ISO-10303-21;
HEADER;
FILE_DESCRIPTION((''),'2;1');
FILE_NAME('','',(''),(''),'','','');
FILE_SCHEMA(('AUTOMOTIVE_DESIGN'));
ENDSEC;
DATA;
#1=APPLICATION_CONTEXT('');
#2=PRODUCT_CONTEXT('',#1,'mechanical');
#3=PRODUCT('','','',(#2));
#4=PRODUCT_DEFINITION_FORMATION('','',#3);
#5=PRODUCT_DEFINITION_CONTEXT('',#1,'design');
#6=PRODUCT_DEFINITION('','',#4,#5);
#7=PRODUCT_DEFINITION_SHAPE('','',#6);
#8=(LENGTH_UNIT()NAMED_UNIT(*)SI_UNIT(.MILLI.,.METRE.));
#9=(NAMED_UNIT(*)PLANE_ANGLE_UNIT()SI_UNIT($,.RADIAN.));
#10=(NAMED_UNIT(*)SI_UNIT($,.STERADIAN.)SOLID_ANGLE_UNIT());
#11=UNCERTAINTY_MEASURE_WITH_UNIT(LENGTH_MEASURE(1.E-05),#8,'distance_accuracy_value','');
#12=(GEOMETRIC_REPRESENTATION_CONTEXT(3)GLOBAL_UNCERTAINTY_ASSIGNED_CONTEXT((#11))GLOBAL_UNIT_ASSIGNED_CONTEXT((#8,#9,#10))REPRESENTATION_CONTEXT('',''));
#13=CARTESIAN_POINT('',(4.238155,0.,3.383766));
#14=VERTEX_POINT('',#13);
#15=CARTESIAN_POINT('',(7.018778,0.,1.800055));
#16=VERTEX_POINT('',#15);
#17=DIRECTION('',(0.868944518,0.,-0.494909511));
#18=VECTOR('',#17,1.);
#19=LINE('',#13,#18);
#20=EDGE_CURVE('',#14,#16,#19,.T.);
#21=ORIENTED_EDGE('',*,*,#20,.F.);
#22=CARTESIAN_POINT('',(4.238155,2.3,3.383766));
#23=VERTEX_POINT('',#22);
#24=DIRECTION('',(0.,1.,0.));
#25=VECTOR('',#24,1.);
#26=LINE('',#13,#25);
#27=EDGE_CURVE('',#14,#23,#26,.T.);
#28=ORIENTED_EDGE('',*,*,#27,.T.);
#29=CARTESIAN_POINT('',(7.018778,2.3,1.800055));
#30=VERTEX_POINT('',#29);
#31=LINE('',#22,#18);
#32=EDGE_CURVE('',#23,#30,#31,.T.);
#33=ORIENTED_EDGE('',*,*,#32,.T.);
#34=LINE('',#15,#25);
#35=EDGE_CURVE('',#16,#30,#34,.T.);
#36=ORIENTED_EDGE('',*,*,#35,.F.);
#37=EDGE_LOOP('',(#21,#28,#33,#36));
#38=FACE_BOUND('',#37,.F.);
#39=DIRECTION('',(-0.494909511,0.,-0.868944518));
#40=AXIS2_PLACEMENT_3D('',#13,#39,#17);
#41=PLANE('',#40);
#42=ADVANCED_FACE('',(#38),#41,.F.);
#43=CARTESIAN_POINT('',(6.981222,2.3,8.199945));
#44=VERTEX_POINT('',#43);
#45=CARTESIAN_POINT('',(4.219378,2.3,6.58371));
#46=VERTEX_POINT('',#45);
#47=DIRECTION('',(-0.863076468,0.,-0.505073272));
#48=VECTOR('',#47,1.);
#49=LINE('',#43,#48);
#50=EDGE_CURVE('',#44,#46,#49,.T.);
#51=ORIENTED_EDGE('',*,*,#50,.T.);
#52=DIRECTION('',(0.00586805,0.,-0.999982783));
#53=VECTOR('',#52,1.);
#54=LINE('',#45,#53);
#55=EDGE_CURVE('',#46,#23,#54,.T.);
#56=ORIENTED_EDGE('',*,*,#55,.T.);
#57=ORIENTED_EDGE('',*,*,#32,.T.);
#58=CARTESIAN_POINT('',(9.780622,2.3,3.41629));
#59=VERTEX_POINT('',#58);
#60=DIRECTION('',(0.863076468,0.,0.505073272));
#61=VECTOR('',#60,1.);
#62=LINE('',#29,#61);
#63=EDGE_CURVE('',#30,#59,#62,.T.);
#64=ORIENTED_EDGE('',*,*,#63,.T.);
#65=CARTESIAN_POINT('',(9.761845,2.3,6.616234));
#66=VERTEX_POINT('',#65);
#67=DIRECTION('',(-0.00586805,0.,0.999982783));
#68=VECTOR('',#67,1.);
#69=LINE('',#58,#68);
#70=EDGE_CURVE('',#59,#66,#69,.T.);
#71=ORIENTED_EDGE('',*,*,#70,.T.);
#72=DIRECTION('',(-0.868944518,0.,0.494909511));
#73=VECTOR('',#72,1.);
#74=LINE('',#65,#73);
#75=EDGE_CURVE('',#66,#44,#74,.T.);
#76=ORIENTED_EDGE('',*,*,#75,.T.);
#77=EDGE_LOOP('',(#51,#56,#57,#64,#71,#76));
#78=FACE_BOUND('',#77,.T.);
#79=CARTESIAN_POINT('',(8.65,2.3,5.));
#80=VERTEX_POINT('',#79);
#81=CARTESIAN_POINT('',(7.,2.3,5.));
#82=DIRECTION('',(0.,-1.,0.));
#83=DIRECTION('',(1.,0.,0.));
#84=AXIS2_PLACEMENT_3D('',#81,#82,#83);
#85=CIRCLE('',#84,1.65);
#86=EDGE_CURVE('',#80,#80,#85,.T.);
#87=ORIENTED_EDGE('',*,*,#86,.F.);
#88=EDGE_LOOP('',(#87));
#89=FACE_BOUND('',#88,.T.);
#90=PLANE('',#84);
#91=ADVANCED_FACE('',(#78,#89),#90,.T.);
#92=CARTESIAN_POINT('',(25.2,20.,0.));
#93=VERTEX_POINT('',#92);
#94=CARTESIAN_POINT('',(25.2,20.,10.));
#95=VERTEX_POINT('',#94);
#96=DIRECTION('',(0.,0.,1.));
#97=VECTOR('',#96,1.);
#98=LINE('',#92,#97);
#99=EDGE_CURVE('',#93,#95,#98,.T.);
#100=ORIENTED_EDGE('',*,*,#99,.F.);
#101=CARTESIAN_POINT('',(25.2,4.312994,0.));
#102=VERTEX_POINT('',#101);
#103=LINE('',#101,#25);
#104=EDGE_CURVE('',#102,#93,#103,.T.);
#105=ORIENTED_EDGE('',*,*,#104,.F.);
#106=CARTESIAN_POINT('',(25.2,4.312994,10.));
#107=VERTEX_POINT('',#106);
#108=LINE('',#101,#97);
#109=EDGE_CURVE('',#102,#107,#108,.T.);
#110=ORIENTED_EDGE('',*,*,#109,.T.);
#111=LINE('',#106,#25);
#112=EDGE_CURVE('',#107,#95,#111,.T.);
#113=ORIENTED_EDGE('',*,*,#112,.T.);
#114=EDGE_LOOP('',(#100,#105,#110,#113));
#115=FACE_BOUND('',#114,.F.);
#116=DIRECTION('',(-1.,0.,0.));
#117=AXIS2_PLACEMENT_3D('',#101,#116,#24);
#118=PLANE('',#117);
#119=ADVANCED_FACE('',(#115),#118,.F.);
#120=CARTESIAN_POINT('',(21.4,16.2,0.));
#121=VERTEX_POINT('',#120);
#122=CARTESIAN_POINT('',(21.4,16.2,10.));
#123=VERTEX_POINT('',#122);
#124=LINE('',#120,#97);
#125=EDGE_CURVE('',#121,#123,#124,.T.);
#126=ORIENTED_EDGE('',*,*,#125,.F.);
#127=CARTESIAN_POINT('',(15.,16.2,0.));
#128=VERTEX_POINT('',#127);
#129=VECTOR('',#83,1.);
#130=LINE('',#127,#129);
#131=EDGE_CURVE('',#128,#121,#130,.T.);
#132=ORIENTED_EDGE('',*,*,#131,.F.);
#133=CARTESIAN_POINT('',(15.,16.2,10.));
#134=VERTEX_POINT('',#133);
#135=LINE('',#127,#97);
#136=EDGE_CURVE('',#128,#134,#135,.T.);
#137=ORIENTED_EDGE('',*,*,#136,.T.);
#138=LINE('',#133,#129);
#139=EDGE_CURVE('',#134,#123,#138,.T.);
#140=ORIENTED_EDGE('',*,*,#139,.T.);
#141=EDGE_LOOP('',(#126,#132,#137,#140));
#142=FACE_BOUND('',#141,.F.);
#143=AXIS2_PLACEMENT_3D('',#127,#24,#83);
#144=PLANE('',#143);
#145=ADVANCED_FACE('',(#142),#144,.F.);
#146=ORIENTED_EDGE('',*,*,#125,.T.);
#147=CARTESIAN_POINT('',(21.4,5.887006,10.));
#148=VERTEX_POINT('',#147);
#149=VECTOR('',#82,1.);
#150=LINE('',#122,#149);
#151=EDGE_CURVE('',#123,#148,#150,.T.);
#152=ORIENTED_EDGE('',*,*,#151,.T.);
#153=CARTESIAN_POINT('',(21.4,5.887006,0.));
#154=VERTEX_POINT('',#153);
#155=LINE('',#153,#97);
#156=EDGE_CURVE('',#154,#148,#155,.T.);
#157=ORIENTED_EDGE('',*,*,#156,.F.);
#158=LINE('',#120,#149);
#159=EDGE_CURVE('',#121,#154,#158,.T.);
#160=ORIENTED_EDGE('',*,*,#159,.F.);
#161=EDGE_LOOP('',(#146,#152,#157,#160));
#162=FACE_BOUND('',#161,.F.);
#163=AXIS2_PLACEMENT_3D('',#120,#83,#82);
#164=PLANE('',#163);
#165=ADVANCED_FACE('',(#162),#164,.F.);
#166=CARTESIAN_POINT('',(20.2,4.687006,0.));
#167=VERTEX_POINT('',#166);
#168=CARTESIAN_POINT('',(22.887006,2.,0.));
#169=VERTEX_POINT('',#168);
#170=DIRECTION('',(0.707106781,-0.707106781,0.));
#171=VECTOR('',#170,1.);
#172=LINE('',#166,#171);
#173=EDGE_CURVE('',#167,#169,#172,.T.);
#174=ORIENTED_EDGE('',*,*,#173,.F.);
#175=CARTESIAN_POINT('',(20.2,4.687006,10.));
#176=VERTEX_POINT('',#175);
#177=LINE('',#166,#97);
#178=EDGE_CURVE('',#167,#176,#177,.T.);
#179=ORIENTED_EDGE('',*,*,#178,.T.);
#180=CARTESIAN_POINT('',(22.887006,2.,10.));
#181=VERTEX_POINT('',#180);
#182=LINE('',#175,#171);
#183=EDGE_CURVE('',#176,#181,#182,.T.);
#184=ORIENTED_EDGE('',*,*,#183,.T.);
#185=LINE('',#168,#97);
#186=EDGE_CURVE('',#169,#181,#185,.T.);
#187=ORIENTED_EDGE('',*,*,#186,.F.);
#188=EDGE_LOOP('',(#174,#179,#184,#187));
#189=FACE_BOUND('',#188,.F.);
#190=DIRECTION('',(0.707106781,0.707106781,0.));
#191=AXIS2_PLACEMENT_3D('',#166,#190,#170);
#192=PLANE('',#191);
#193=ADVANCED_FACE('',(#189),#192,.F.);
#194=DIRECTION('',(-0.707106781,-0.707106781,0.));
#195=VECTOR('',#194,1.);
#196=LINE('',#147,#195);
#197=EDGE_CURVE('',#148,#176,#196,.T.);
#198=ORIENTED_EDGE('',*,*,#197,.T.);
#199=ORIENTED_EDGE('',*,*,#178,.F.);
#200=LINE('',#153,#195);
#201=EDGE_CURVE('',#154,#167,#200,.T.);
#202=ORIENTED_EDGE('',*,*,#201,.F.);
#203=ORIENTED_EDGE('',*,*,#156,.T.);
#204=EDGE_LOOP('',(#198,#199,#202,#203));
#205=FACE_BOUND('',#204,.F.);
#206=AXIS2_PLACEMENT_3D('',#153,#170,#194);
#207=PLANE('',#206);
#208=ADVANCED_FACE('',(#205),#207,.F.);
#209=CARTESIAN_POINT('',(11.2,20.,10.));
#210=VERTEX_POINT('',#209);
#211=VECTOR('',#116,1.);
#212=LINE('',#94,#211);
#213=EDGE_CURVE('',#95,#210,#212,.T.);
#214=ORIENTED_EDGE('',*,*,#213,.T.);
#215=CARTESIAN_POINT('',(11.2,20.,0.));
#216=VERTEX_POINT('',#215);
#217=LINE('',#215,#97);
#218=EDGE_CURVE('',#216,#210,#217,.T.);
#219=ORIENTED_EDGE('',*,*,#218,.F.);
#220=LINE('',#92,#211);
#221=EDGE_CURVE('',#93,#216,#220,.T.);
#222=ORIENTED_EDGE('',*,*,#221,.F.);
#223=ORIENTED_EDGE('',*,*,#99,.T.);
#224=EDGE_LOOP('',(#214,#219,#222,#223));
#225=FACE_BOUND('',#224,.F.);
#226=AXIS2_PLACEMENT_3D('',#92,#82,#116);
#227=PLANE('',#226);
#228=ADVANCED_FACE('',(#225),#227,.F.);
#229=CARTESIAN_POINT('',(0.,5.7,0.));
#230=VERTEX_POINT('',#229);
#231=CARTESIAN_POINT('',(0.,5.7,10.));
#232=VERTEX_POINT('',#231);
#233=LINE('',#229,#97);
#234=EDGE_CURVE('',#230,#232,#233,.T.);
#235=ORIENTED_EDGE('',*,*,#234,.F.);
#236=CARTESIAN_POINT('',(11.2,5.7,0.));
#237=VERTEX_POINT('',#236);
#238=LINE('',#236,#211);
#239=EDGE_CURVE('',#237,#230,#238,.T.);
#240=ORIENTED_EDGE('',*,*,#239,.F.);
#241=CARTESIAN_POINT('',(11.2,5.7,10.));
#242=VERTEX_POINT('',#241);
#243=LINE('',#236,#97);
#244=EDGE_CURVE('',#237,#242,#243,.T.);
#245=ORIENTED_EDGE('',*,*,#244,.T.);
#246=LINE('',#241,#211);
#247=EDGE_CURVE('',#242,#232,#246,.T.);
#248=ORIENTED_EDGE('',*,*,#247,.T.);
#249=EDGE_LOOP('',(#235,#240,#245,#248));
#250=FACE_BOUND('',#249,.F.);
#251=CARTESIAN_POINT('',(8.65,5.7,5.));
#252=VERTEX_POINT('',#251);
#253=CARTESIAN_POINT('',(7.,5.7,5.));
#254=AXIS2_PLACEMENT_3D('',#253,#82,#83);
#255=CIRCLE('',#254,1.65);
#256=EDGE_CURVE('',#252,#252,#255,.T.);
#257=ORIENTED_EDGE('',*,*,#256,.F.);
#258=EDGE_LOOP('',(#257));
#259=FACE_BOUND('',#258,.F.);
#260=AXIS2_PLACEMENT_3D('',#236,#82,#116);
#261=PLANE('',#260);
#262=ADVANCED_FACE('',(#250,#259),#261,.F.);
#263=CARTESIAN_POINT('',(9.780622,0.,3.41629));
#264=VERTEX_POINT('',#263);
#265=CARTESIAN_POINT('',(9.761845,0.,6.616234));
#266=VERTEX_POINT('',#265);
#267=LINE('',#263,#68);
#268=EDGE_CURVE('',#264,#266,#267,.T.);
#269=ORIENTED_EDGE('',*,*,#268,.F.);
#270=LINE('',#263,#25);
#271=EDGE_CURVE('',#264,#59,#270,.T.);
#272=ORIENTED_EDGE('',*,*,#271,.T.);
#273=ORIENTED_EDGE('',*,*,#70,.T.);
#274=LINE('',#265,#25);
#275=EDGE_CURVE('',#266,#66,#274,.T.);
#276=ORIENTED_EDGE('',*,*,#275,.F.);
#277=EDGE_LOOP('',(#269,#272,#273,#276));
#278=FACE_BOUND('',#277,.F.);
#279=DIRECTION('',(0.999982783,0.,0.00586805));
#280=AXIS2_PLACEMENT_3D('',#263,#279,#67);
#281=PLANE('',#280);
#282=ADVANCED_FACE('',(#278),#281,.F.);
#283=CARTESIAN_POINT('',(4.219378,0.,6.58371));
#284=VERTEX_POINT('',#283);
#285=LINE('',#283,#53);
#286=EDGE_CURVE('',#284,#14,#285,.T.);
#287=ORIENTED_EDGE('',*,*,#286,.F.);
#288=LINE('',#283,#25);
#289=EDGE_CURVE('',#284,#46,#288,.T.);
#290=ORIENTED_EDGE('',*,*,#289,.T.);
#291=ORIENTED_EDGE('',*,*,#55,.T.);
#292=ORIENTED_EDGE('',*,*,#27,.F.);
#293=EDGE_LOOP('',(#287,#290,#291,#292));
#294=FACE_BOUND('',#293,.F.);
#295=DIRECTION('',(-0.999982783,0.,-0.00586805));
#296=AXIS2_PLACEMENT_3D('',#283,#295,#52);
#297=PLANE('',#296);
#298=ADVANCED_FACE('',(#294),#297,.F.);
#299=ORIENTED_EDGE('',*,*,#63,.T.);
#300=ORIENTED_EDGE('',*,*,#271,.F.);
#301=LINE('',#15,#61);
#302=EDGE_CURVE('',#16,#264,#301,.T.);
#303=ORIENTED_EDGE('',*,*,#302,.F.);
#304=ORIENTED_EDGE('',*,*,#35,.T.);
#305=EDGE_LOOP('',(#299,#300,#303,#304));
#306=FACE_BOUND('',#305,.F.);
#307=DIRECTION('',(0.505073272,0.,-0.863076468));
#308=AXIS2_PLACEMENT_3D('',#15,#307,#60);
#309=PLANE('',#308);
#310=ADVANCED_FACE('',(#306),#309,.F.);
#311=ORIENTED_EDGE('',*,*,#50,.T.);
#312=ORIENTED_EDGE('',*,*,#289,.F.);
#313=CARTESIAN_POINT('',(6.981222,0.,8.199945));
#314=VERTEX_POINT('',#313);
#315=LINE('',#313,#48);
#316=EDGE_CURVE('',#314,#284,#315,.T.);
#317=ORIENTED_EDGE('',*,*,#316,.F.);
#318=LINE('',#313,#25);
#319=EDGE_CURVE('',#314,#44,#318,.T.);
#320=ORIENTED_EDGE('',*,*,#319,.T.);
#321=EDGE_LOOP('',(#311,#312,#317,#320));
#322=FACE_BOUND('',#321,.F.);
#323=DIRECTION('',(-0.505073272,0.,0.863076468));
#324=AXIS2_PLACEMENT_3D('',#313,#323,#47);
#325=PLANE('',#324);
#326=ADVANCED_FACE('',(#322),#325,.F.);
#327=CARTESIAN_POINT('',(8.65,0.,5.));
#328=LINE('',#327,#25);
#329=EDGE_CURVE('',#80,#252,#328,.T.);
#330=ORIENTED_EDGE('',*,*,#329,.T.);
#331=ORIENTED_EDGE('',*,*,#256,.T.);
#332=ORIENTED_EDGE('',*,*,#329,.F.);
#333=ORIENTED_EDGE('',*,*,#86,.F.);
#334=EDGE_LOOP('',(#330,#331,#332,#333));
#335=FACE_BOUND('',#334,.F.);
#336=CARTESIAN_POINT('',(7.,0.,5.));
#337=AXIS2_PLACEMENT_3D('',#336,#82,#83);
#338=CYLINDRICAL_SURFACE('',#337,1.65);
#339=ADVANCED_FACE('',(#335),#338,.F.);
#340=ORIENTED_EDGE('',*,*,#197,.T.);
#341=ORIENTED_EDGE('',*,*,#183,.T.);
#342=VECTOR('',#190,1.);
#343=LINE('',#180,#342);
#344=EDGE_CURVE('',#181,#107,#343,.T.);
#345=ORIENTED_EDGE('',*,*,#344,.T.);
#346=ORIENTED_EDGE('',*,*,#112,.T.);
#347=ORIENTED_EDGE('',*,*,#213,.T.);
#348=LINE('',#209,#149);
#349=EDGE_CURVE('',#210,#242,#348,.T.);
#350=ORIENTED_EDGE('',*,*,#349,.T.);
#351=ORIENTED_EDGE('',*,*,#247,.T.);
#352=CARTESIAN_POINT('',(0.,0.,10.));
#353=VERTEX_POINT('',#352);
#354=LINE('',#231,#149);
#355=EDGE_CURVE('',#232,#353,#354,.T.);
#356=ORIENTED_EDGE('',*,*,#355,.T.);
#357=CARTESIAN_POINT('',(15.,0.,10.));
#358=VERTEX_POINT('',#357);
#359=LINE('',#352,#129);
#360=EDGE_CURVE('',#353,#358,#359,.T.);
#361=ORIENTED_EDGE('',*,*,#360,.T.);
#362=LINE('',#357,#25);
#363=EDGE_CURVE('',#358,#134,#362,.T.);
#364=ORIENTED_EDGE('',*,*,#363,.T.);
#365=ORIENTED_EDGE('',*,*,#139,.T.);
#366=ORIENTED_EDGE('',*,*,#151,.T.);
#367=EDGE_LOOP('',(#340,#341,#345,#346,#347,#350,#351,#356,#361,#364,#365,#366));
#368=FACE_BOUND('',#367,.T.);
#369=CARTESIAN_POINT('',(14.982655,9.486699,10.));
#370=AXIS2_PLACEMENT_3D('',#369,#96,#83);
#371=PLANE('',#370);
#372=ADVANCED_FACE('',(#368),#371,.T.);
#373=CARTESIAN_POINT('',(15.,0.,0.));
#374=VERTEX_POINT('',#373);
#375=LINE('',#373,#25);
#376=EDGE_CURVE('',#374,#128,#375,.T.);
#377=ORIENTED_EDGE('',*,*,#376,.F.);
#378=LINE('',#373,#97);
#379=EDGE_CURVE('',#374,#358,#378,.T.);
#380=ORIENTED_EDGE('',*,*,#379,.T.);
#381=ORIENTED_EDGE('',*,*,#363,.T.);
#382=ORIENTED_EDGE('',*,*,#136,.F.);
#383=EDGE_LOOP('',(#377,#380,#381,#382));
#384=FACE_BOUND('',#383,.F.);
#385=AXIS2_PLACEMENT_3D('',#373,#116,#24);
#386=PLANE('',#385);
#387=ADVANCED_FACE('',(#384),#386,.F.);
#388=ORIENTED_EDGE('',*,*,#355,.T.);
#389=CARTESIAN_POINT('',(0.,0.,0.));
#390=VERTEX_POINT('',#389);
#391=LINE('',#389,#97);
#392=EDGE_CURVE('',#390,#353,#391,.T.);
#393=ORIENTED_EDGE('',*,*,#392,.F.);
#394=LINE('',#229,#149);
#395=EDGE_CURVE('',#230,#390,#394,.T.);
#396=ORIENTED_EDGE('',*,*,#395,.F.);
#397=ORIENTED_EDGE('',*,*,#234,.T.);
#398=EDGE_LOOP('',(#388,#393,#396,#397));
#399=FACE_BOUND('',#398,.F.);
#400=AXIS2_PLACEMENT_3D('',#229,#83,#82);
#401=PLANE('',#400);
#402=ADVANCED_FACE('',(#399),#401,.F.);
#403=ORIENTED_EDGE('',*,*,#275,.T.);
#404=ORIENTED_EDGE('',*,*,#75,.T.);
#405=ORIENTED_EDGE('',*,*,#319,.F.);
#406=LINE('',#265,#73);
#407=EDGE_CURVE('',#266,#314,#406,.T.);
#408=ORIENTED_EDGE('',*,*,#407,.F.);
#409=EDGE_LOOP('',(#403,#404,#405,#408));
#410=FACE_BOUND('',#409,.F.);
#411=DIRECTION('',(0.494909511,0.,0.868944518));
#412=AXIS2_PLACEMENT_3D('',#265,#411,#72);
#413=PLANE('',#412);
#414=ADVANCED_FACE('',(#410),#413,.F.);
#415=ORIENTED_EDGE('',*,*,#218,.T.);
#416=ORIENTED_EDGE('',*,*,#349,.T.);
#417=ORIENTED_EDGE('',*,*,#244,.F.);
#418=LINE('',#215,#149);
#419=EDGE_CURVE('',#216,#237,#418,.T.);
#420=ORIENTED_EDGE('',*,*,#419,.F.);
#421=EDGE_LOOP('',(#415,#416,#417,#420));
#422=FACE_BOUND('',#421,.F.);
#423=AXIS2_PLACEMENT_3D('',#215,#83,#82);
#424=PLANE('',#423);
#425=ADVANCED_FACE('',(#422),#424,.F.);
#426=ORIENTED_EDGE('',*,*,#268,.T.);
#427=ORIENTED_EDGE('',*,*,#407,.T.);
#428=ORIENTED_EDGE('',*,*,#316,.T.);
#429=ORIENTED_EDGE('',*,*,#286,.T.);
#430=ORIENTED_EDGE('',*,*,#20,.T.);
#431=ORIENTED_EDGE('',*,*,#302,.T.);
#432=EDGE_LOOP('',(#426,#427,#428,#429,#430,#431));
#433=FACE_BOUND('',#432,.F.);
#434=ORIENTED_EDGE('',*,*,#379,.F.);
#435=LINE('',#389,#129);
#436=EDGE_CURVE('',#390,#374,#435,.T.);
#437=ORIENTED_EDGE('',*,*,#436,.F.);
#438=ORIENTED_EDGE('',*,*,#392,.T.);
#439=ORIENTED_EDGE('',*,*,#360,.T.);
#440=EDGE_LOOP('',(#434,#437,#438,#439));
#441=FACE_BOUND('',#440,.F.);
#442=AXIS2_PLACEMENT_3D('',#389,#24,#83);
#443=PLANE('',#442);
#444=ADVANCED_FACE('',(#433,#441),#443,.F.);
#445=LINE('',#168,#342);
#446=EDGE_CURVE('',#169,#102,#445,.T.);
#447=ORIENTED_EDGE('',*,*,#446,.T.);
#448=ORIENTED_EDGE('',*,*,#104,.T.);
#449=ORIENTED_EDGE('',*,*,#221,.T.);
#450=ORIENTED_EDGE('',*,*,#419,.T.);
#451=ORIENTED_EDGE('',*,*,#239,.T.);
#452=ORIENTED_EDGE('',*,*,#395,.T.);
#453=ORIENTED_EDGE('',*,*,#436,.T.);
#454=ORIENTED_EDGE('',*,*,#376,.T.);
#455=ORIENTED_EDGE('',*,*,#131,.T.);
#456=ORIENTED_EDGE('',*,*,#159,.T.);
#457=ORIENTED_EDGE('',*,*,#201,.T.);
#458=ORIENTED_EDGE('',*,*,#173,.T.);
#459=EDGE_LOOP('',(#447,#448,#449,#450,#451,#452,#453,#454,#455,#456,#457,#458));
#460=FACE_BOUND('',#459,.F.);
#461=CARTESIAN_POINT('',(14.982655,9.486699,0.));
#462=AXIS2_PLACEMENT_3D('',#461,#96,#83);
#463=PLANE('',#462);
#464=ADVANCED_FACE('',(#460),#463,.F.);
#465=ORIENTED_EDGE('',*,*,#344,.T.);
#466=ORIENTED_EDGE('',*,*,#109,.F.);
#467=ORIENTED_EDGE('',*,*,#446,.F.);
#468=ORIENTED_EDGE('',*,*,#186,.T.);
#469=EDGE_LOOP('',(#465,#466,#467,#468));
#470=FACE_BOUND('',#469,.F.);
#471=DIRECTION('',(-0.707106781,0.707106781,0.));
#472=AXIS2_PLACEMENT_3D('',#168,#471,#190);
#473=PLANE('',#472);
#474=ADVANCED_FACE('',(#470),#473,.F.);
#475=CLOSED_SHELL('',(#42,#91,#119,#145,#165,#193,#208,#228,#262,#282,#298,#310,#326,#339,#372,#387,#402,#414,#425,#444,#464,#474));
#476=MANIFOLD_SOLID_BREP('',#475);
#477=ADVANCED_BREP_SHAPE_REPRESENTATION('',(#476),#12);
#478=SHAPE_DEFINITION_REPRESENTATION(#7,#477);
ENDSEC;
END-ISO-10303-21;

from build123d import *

# Parameters (mm, degrees)
F1_DEPTH = 10
F2_R     = 1.65
F4_DEPTH = 20.001
F5_DEPTH = 2.3


with BuildPart() as f1:
    # F0 (on Top) → F1 (new body)
    with BuildSketch(Plane.XY):
        Polygon((0, 5.7), (0, 0), (15, 0), (15, 16.2), (21.4, 16.2), (21.4, 5.8870057685), (20.2, 4.6870057685), (22.8870057685, 2), (25.2, 4.3129942315), (25.2, 20), (11.2, 20), (11.2, 5.7), align=None)
    extrude(amount=F1_DEPTH)

    # F2 (on face) → F4 (cut, through all)
    with BuildSketch(Plane.XZ):
        with Locations((7, 5)):
            Circle(F2_R)
    extrude(amount=-F4_DEPTH, mode=Mode.SUBTRACT)

    # F2 (on face) → F5 (cut)
    with BuildSketch(Plane.XZ):
        Polygon((6.9812222395, 8.1999449051), (4.2193775412, 6.5837104349), (4.2381553017, 3.3837655298), (7.0187777605, 1.8000550949), (9.7806224588, 3.4162895651), (9.7618446983, 6.6162344702), align=None)
        with Locations((7, 5)):
            Circle(F2_R, mode=Mode.SUBTRACT)
    extrude(amount=-F5_DEPTH, mode=Mode.SUBTRACT)


solid = f1.part
